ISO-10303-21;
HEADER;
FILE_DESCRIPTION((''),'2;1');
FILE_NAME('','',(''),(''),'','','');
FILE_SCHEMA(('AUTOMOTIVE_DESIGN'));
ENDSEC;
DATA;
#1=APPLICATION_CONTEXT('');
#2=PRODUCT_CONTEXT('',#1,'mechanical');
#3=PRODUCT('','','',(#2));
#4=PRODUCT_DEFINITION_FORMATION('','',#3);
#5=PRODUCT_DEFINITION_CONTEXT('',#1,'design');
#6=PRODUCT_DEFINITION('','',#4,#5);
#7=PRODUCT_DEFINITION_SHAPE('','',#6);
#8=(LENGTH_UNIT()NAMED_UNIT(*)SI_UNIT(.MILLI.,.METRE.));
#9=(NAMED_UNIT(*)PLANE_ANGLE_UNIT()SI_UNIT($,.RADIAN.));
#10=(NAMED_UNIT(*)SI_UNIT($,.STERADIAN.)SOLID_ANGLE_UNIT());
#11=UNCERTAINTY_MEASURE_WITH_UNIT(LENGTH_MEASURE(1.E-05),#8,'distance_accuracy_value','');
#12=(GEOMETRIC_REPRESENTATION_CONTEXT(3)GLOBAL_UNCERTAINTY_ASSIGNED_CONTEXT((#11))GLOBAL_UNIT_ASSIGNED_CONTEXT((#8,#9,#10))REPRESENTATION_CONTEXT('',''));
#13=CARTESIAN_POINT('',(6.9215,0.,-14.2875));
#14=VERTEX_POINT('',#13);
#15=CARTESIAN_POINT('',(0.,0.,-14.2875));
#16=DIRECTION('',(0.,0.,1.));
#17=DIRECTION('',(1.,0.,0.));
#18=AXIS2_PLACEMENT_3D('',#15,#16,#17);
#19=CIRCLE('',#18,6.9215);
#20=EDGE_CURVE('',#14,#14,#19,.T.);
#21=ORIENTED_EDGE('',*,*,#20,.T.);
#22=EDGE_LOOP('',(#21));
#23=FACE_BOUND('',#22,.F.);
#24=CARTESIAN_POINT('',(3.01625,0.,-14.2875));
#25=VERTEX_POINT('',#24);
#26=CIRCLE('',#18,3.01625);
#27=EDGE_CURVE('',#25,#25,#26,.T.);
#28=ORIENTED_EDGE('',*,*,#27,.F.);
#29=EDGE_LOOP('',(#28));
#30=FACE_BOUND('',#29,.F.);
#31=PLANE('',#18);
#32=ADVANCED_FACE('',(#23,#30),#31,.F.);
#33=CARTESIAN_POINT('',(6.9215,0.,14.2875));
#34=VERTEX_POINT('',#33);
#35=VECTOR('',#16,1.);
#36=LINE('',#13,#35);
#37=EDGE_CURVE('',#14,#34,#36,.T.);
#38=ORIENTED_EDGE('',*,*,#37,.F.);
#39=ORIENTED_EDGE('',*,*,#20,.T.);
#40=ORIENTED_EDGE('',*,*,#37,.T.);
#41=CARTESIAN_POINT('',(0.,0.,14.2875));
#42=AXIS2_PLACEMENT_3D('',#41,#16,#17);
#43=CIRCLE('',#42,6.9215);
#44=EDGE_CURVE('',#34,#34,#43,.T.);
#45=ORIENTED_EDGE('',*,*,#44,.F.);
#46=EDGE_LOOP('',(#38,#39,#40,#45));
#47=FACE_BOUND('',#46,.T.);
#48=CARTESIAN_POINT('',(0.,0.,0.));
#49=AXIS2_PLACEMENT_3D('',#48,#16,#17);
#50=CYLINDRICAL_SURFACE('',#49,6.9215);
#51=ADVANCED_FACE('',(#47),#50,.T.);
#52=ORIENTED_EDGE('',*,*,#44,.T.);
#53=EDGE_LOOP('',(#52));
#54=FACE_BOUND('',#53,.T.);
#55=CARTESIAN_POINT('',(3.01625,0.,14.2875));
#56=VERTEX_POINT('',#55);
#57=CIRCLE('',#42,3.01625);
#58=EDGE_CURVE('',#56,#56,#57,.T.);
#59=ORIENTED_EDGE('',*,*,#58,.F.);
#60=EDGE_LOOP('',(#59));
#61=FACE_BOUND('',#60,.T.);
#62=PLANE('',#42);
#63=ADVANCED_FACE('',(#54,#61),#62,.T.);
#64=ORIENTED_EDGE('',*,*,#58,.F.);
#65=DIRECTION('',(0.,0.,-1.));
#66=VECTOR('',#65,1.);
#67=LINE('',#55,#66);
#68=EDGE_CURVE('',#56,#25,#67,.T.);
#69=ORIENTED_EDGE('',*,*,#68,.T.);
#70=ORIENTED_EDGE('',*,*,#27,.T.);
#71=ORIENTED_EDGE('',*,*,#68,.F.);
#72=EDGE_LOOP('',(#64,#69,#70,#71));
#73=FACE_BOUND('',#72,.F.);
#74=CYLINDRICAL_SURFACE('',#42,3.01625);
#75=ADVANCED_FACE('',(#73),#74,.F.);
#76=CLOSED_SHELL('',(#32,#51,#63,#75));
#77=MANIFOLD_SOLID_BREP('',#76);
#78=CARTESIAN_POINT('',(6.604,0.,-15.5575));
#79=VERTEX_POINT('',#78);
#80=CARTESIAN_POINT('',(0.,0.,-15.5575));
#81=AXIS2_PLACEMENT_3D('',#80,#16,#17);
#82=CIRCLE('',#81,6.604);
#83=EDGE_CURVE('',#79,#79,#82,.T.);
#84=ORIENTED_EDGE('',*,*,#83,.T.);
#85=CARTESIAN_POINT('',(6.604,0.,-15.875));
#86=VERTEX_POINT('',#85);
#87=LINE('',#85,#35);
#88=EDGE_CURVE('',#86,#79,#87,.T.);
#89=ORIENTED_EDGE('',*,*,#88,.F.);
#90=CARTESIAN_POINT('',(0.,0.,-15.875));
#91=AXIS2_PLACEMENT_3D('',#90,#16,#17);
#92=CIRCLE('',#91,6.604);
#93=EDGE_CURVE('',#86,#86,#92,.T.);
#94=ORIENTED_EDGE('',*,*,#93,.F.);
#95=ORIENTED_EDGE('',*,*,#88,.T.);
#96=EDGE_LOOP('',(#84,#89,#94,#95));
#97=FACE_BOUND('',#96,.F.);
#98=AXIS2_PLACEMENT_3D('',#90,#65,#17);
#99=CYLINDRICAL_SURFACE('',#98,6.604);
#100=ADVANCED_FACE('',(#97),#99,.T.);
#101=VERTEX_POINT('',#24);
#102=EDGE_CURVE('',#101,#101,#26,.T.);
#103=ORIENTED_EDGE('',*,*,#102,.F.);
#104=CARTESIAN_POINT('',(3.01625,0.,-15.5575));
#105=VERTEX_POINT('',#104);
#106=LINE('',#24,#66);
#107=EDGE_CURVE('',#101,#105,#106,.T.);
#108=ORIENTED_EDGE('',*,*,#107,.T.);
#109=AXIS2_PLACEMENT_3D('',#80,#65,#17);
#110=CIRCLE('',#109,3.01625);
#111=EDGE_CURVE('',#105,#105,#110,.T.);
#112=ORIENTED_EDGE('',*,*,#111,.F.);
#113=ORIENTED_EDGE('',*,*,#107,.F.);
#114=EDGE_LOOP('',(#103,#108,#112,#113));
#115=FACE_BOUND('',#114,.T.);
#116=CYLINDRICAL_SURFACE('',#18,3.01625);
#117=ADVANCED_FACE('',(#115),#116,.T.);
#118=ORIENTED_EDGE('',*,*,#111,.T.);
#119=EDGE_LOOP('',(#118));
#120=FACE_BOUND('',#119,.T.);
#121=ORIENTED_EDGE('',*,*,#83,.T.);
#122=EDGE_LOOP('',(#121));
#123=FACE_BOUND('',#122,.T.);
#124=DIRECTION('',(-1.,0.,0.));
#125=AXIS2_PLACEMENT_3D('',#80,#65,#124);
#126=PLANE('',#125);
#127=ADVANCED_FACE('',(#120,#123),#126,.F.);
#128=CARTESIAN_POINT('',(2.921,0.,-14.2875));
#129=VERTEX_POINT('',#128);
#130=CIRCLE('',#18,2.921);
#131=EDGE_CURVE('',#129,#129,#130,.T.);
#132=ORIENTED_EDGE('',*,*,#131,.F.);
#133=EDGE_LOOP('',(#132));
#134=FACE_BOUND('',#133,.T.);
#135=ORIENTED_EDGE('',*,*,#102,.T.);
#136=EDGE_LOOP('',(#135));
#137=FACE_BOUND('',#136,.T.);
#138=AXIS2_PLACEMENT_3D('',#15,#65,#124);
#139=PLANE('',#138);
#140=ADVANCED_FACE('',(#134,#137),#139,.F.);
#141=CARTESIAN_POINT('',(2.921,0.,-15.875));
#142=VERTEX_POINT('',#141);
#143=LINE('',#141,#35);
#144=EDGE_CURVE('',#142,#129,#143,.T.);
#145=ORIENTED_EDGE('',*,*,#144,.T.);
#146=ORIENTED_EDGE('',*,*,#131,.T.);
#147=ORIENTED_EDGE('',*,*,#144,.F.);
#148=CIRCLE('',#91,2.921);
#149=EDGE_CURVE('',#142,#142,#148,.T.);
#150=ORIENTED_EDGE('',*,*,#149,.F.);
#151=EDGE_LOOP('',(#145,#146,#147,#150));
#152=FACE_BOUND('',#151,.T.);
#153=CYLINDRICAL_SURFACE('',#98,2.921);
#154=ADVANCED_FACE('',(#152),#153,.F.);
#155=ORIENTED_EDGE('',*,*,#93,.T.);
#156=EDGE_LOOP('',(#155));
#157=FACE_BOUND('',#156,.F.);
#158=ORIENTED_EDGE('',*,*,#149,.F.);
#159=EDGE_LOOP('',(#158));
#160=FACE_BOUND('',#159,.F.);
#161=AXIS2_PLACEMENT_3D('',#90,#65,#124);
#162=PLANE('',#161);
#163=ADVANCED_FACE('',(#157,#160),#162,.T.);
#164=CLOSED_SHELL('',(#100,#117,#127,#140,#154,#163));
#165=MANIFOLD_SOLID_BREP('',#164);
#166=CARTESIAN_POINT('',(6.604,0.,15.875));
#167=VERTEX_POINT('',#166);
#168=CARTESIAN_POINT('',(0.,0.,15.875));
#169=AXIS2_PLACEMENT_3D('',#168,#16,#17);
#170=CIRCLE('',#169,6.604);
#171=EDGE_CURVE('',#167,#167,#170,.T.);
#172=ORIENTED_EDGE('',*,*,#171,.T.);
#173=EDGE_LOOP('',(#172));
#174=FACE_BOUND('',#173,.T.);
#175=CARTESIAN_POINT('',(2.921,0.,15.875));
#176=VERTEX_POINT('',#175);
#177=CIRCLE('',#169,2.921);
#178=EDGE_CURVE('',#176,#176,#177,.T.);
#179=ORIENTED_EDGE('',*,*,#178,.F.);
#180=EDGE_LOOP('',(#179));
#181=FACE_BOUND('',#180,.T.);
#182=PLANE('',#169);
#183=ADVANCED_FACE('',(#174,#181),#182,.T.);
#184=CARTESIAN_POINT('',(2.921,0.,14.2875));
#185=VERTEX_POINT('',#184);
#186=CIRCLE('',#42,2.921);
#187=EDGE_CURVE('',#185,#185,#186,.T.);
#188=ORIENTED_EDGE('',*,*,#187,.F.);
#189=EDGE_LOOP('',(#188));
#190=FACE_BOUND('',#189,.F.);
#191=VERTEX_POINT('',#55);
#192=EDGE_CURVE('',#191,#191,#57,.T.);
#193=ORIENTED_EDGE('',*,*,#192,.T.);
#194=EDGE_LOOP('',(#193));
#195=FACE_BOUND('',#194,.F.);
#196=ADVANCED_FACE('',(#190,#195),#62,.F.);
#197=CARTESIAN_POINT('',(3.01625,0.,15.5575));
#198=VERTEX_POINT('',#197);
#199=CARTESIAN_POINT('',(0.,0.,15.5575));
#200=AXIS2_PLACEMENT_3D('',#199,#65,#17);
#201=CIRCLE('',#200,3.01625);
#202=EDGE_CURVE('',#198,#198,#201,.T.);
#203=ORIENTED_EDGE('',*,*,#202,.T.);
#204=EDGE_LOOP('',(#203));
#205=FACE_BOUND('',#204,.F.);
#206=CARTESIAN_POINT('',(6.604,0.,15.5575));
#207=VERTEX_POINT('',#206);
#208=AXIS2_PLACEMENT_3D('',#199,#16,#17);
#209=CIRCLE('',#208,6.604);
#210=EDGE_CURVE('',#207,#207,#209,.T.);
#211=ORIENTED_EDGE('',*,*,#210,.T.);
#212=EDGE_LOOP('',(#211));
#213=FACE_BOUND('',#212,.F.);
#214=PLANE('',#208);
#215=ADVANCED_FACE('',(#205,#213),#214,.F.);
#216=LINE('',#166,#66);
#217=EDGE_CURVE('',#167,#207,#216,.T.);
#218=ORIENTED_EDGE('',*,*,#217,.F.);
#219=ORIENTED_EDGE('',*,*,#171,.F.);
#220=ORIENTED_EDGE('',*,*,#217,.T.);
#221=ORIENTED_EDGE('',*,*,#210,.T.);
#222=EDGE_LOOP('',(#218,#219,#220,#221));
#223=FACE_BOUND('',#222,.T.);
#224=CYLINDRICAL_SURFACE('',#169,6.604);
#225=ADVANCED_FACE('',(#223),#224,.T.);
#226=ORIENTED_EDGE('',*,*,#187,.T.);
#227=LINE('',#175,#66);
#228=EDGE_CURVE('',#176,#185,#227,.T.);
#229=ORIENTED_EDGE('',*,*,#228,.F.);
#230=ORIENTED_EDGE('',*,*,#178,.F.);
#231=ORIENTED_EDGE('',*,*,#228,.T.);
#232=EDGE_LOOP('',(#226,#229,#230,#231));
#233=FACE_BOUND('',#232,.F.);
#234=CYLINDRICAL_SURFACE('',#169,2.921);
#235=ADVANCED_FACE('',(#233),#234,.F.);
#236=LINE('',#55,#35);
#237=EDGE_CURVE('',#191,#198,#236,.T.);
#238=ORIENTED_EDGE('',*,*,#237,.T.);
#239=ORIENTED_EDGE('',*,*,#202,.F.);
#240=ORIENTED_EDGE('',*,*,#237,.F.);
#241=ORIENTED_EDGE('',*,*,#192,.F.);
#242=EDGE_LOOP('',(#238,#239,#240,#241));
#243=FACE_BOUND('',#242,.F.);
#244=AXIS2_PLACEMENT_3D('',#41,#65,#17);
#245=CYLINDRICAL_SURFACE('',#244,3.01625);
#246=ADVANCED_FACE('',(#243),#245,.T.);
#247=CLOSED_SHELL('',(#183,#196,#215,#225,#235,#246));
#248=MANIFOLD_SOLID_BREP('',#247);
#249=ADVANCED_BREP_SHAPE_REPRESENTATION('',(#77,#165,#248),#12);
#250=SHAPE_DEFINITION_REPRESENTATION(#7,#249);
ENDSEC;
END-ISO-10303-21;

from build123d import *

# Parameters (mm, degrees)
F0_R      = 6.9215
F1_DEPTH  = 14.2875
F2_R      = 3.01625
F3_DEPTH  = 28.576
F4_R      = 3.01625
F5_DEPTH  = 1.5875
F6_T      = -0.3175
F7_R      = 6.604
F8_DEPTH  = 0.3175
F9_R      = 2.921
F10_DEPTH = 25.4


with BuildPart() as f1:
    # F0 (on Top) → F1 (new body, symmetric)
    with BuildSketch(Plane.XY):
        Circle(F0_R)
    extrude(amount=F1_DEPTH, both=True)

    # F2 (on face) → F3 (cut, through all)
    with BuildSketch(Plane.XY.offset(14.2875)):
        Circle(F2_R)
    extrude(amount=-F3_DEPTH, mode=Mode.SUBTRACT)


with BuildPart() as f5:
    # F4 (on face) → F5 (new body)
    with BuildSketch(Plane.XY.offset(14.2875)):
        Circle(F4_R)
    extrude(amount=F5_DEPTH)

    # F6
    f6_openings = [f5.faces().sort_by_distance(p)[0] for p in [
        (0, 0, 15.875),
    ]]
    offset(amount=F6_T, openings=f6_openings)

    # F7 (on face) → F8 (join)
    with BuildSketch(Plane.XY.offset(15.875)):
        Circle(F7_R)
    extrude(amount=-F8_DEPTH)

    # F9 (on face) → F10 (cut)
    with BuildSketch(Plane.XY.offset(15.875)):
        Circle(F9_R)
    extrude(amount=-F10_DEPTH, mode=Mode.SUBTRACT)


with BuildPart() as f11_1:
    # F11: instance of F5
    add(f5.part.mirror(Plane.XY))


solid = Compound([f1.part, f5.part, f11_1.part])
